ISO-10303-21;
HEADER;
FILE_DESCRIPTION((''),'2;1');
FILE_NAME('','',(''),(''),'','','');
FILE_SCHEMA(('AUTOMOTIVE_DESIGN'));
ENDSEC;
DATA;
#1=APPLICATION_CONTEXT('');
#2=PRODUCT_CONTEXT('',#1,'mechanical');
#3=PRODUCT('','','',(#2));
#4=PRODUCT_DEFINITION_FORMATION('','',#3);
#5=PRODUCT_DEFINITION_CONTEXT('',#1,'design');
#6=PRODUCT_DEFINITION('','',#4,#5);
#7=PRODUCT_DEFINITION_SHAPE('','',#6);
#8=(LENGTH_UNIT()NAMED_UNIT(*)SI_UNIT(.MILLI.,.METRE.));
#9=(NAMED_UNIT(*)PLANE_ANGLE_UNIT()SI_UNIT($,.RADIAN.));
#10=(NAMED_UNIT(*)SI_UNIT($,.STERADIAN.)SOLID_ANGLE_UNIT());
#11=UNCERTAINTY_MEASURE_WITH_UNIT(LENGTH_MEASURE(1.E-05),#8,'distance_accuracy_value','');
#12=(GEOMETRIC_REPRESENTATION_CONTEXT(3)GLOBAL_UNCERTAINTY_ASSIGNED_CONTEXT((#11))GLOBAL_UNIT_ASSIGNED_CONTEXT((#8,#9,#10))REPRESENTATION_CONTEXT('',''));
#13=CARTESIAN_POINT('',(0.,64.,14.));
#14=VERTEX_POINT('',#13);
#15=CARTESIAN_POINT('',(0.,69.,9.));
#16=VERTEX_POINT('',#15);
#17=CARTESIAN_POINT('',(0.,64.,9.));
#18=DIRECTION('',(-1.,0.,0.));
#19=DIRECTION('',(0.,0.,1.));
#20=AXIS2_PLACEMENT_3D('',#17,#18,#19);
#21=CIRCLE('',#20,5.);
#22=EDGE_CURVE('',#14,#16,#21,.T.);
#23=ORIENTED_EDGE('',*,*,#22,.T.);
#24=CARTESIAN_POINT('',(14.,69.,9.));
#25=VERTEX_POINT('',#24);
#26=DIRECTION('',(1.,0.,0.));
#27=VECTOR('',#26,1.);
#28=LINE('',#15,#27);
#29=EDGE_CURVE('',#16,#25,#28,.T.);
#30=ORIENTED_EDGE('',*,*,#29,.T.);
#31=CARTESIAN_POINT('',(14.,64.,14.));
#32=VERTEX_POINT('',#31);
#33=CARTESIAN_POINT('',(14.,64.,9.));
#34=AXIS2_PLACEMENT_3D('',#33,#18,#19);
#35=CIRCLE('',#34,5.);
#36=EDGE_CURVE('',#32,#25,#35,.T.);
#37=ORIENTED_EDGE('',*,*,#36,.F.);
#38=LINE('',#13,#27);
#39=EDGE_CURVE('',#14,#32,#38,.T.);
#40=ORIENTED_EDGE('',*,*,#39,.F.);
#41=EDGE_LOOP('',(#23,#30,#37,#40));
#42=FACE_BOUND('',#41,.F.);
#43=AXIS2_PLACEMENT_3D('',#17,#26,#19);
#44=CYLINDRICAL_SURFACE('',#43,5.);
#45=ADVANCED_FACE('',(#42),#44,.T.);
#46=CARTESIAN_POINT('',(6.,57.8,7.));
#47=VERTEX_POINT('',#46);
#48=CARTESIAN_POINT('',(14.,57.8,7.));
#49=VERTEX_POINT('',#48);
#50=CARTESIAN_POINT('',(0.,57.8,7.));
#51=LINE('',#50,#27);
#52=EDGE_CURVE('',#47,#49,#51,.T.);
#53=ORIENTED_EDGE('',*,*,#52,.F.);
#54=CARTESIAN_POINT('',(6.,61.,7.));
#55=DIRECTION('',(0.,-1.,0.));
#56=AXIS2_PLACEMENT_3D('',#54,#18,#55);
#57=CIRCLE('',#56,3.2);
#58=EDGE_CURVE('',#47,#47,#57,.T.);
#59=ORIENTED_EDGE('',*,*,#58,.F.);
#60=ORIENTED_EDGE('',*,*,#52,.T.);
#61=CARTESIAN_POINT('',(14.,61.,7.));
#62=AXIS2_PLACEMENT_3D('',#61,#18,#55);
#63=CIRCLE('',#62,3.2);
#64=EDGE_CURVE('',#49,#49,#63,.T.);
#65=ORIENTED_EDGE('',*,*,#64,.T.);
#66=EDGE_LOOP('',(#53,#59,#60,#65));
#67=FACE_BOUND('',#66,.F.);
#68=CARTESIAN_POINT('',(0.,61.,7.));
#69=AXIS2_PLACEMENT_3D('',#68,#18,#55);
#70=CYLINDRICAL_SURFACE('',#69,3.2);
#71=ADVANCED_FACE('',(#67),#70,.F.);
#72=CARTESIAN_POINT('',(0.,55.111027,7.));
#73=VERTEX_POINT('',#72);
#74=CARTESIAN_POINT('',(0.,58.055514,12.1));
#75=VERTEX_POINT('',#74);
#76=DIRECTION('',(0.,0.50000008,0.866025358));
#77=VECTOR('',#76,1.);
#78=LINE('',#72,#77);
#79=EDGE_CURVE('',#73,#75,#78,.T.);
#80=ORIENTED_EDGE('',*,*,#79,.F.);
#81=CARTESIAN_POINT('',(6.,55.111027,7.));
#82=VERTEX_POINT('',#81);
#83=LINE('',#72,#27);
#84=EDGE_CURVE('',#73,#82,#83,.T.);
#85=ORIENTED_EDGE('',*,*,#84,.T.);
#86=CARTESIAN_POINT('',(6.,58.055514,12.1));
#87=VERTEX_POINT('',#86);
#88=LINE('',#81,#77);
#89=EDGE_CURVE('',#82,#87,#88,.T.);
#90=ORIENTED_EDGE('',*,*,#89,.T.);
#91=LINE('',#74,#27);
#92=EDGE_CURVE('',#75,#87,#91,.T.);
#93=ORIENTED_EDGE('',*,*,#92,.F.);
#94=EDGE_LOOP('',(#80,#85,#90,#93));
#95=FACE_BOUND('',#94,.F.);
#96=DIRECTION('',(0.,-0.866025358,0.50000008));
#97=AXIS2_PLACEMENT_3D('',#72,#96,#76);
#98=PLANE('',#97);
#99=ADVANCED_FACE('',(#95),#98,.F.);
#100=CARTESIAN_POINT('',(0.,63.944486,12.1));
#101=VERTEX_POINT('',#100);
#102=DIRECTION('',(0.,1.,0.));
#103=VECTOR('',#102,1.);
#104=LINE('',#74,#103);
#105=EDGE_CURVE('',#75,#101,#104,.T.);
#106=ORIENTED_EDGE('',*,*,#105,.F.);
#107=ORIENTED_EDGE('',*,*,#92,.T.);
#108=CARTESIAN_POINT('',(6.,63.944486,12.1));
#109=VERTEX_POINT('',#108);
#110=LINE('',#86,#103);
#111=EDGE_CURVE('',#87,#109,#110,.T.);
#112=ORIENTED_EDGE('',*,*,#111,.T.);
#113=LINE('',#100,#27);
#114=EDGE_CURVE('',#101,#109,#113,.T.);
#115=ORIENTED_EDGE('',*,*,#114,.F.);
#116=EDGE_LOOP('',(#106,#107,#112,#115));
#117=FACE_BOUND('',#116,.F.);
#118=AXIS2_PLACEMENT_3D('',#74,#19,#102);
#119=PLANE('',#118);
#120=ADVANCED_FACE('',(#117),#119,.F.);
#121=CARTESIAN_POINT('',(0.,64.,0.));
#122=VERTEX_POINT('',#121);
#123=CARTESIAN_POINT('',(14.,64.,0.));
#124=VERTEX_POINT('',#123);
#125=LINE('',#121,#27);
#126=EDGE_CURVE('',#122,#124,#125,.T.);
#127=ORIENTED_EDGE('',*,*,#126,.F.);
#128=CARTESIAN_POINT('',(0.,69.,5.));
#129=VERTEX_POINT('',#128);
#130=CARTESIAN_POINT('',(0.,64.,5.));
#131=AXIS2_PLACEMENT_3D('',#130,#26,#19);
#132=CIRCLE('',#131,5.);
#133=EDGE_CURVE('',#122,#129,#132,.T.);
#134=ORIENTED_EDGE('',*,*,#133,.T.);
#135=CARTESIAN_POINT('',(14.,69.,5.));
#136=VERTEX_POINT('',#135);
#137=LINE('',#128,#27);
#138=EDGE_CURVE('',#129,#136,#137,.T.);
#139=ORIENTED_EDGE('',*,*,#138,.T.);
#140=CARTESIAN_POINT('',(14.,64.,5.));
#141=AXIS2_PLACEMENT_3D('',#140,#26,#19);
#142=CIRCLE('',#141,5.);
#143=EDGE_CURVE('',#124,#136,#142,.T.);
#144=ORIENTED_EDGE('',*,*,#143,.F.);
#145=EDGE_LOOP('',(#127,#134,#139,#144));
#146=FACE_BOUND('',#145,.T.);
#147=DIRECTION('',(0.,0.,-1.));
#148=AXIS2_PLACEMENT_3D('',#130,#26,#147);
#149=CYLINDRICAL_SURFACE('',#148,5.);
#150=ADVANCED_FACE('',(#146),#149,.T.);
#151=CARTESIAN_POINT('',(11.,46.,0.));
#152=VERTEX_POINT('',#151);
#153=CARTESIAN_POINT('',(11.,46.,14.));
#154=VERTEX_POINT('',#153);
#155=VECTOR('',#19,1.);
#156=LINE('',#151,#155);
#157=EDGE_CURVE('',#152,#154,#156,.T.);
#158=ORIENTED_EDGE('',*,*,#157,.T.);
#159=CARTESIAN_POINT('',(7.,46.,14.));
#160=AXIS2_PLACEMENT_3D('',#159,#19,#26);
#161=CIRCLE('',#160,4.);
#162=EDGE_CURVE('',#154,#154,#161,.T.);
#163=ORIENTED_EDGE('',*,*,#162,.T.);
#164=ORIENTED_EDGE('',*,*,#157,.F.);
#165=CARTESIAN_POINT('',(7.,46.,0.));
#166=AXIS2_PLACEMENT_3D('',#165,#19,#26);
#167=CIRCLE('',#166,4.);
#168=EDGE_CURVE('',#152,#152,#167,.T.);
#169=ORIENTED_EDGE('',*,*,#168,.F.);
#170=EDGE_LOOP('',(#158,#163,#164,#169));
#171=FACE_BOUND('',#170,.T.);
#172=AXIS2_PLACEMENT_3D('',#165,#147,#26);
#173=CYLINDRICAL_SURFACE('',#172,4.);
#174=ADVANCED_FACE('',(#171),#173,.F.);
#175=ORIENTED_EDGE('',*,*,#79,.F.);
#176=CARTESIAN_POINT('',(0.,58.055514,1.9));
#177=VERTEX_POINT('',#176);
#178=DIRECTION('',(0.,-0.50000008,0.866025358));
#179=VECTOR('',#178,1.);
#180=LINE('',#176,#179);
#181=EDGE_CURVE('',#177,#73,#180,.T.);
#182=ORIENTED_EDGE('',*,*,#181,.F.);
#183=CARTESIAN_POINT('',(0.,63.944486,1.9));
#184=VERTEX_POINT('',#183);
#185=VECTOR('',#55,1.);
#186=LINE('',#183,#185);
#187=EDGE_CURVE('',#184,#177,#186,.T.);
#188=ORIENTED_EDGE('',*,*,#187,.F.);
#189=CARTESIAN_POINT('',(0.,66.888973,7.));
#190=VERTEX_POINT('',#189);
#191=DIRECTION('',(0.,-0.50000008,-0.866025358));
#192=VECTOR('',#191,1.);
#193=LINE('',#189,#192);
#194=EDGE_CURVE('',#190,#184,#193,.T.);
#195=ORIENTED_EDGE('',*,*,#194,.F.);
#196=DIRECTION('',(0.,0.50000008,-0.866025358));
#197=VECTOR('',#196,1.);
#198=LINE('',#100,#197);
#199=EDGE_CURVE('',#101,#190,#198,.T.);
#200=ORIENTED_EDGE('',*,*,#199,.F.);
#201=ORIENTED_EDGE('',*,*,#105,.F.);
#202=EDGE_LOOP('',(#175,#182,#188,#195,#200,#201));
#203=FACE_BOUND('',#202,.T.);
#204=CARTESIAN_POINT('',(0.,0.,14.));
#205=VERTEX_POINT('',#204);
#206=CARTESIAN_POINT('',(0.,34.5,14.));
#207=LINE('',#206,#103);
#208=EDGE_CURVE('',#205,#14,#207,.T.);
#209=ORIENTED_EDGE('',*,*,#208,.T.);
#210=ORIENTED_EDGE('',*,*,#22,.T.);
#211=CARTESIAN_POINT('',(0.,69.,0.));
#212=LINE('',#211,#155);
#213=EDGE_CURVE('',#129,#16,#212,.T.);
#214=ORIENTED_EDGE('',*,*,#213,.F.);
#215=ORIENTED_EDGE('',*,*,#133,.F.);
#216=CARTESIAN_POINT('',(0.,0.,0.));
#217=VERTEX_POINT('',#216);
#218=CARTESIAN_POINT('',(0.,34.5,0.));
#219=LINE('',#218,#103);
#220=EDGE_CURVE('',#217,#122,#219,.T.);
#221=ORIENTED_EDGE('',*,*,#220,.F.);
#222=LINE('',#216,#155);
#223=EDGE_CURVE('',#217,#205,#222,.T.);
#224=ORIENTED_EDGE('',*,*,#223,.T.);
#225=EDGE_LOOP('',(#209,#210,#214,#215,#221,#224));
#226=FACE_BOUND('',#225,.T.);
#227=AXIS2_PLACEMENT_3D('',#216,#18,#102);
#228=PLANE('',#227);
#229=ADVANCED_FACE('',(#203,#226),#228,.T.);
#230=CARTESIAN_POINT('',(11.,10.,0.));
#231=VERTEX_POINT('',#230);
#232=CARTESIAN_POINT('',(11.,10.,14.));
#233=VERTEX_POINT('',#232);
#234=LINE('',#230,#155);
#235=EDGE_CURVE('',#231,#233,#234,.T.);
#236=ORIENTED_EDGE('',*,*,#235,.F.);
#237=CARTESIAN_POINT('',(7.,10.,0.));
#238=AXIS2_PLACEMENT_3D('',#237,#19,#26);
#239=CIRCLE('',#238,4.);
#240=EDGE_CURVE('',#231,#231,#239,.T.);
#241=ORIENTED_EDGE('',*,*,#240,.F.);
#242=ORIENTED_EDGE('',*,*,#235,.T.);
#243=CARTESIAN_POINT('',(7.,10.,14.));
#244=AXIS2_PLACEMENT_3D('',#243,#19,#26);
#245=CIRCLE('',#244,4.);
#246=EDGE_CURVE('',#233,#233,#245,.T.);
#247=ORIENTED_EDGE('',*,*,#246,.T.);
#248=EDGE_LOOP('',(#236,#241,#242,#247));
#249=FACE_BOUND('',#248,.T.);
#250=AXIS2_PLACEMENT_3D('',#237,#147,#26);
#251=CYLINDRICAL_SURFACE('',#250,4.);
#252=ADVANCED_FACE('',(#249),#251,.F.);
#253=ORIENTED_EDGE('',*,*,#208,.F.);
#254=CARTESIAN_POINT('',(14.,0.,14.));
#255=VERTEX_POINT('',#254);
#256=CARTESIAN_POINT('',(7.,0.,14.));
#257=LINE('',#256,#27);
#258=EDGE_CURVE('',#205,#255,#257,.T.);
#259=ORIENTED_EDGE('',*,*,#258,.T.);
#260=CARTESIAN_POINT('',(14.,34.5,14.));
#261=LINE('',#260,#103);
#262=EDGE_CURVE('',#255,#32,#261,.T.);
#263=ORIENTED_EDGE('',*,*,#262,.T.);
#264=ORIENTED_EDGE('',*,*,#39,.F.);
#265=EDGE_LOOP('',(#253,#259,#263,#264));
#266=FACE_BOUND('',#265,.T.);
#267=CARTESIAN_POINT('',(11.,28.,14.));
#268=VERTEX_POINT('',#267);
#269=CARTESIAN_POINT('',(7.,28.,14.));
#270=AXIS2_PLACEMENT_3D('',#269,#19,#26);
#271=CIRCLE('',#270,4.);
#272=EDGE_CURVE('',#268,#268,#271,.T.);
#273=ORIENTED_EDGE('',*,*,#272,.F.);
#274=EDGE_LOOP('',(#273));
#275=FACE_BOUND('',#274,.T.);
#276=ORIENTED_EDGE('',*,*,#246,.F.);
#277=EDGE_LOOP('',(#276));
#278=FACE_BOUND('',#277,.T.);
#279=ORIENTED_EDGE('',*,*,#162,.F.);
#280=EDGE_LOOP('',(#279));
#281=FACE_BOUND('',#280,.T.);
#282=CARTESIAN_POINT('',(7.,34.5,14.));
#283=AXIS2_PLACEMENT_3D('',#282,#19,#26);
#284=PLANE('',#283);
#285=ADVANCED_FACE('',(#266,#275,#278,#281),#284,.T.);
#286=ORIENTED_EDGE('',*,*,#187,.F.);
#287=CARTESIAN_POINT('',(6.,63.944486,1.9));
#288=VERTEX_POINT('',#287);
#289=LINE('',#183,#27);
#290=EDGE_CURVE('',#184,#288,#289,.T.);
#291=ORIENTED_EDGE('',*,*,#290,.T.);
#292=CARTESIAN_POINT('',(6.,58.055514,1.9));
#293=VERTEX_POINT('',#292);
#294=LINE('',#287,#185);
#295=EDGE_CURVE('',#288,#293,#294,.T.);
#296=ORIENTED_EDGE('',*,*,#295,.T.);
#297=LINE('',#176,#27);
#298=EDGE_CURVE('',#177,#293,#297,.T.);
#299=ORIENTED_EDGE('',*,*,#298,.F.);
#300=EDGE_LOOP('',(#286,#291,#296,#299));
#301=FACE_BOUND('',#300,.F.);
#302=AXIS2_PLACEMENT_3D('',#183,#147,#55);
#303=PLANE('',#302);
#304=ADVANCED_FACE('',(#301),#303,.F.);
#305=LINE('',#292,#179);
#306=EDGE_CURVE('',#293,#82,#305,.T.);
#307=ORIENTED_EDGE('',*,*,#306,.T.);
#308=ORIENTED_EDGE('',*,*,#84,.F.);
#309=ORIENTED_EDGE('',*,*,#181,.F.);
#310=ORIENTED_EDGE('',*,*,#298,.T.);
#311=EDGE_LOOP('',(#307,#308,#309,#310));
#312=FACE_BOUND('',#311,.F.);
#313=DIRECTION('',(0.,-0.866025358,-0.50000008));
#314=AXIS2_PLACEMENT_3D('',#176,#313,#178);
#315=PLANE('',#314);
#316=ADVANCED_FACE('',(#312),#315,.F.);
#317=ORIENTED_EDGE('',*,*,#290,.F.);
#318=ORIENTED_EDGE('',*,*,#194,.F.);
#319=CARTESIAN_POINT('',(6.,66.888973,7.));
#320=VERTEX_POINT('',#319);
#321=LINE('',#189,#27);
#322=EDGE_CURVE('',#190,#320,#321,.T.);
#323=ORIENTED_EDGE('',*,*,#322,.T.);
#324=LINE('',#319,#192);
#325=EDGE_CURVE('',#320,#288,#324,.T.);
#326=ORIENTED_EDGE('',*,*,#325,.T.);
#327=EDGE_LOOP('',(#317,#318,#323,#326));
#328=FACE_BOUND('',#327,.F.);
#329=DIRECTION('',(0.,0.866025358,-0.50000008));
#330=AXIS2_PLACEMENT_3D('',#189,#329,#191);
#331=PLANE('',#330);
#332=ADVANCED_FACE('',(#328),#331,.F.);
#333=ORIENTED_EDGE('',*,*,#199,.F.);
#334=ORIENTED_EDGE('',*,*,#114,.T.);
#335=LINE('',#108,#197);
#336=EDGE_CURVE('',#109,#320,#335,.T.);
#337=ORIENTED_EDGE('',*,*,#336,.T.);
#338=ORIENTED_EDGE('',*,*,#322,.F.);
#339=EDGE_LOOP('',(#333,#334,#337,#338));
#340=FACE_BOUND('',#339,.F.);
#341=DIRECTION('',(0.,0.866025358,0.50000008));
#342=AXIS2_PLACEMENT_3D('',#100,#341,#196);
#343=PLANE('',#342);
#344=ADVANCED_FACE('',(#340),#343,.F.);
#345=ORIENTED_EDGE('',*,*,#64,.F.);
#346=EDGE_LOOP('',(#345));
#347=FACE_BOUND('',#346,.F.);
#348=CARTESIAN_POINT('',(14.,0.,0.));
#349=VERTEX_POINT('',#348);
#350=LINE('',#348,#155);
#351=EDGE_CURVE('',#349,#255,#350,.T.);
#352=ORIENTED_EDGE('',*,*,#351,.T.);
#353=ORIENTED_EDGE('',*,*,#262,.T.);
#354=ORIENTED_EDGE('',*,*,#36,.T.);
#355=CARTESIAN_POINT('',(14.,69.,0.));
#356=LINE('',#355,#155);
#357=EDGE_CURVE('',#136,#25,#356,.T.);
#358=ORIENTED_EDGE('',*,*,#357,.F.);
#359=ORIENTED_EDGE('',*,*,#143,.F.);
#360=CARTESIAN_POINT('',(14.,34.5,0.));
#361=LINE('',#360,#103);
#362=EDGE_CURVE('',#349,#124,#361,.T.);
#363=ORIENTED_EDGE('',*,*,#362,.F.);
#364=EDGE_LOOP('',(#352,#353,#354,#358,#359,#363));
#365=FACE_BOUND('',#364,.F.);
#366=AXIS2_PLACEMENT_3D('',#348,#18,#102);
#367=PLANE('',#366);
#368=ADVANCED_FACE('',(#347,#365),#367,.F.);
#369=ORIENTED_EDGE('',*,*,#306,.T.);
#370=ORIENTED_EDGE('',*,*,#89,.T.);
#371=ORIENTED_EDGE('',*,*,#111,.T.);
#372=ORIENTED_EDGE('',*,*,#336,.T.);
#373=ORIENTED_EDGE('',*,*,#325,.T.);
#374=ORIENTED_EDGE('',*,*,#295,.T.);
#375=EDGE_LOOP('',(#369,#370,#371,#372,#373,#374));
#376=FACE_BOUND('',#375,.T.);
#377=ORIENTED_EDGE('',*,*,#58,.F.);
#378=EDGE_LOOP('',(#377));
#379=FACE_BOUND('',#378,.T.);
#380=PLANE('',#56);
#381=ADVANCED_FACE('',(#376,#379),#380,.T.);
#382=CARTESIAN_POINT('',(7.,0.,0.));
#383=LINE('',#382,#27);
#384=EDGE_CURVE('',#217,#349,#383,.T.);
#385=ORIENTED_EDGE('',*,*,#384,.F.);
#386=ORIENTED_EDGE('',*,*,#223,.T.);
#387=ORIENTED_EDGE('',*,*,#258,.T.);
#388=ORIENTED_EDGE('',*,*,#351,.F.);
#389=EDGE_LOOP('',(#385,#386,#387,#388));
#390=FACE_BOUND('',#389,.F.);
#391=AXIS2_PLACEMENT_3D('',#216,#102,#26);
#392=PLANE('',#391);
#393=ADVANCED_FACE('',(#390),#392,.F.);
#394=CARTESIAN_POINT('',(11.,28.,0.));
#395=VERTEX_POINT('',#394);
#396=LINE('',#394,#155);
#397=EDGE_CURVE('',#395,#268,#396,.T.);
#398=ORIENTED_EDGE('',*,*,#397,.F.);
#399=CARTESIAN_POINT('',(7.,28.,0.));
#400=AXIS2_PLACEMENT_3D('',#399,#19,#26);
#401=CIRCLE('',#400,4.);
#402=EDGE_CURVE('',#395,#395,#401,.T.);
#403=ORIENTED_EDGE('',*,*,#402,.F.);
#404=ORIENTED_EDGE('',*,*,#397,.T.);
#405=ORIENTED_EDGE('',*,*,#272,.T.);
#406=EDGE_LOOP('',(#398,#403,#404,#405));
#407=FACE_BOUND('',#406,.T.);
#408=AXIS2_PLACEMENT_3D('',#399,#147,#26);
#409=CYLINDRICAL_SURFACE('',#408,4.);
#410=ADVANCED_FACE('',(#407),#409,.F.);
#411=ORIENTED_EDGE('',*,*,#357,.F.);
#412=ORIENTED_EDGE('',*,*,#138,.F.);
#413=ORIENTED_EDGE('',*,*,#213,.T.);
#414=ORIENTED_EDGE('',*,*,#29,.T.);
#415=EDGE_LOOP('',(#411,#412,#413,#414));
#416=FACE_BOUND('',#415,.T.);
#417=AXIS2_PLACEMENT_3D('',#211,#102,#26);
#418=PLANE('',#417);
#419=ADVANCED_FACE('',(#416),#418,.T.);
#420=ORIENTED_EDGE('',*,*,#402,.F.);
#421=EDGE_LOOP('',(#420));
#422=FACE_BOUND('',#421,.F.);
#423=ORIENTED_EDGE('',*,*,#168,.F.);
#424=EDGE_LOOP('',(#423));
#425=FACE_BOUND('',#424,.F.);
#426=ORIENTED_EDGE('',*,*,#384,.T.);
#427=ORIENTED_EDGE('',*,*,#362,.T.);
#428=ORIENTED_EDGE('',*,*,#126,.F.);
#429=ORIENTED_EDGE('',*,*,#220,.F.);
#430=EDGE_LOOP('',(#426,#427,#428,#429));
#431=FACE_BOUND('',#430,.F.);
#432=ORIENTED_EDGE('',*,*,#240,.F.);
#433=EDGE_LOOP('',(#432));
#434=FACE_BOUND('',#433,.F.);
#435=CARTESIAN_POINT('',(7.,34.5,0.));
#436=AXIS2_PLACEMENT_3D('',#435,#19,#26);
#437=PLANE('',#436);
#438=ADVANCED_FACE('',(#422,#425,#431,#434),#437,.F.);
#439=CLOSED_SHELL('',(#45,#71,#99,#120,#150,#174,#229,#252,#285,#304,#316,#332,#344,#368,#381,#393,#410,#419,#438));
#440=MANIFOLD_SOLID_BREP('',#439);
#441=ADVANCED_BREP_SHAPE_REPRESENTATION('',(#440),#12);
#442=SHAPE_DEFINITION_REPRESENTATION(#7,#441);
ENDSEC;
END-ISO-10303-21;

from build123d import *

# Parameters (mm, degrees)
F0_W     = 14
F0_H     = 69
F0_R     = 4
F1_DEPTH = 14
F2_R     = 3.2
F3_DEPTH = 14.001
F4_DEPTH = 6
F5_R     = 5


with BuildPart() as f1:
    # F0 (on Top) → F1 (new body)
    with BuildSketch(Plane.XY):
        with Locations((7, 34.5)):
            Rectangle(F0_W, F0_H)
        with Locations((7, 10)):
            Circle(F0_R, mode=Mode.SUBTRACT)
        with Locations((7, 28)):
            Circle(F0_R, mode=Mode.SUBTRACT)
        with Locations((7, 46)):
            Circle(F0_R, mode=Mode.SUBTRACT)
    extrude(amount=F1_DEPTH)

    # F2 (on face) → F3 (cut, through all)
    with BuildSketch(Plane(origin=(0, 0, 0), x_dir=(0, -1, 0), z_dir=(-1, 0, 0))):
        with Locations((-61, 7)):
            Circle(F2_R)
    extrude(amount=-F3_DEPTH, mode=Mode.SUBTRACT)

    # F2 (on face) → F4 (cut)
    with BuildSketch(Plane(origin=(0, 0, 0), x_dir=(0, -1, 0), z_dir=(-1, 0, 0))):
        Polygon((-63.944486, 1.9), (-58.055514, 1.9), (-55.111027, 7), (-58.055514, 12.1), (-63.944486, 12.1), (-66.888973, 7), align=None)
        with Locations((-61, 7)):
            Circle(F2_R, mode=Mode.SUBTRACT)
    extrude(amount=-F4_DEPTH, mode=Mode.SUBTRACT)

    # F5
    f5_edges = [f1.edges().sort_by_distance(p)[0] for p in [
        (7, 69, 14),
        (7, 69, 0),
    ]]
    fillet(f5_edges, radius=F5_R)


solid = f1.part
